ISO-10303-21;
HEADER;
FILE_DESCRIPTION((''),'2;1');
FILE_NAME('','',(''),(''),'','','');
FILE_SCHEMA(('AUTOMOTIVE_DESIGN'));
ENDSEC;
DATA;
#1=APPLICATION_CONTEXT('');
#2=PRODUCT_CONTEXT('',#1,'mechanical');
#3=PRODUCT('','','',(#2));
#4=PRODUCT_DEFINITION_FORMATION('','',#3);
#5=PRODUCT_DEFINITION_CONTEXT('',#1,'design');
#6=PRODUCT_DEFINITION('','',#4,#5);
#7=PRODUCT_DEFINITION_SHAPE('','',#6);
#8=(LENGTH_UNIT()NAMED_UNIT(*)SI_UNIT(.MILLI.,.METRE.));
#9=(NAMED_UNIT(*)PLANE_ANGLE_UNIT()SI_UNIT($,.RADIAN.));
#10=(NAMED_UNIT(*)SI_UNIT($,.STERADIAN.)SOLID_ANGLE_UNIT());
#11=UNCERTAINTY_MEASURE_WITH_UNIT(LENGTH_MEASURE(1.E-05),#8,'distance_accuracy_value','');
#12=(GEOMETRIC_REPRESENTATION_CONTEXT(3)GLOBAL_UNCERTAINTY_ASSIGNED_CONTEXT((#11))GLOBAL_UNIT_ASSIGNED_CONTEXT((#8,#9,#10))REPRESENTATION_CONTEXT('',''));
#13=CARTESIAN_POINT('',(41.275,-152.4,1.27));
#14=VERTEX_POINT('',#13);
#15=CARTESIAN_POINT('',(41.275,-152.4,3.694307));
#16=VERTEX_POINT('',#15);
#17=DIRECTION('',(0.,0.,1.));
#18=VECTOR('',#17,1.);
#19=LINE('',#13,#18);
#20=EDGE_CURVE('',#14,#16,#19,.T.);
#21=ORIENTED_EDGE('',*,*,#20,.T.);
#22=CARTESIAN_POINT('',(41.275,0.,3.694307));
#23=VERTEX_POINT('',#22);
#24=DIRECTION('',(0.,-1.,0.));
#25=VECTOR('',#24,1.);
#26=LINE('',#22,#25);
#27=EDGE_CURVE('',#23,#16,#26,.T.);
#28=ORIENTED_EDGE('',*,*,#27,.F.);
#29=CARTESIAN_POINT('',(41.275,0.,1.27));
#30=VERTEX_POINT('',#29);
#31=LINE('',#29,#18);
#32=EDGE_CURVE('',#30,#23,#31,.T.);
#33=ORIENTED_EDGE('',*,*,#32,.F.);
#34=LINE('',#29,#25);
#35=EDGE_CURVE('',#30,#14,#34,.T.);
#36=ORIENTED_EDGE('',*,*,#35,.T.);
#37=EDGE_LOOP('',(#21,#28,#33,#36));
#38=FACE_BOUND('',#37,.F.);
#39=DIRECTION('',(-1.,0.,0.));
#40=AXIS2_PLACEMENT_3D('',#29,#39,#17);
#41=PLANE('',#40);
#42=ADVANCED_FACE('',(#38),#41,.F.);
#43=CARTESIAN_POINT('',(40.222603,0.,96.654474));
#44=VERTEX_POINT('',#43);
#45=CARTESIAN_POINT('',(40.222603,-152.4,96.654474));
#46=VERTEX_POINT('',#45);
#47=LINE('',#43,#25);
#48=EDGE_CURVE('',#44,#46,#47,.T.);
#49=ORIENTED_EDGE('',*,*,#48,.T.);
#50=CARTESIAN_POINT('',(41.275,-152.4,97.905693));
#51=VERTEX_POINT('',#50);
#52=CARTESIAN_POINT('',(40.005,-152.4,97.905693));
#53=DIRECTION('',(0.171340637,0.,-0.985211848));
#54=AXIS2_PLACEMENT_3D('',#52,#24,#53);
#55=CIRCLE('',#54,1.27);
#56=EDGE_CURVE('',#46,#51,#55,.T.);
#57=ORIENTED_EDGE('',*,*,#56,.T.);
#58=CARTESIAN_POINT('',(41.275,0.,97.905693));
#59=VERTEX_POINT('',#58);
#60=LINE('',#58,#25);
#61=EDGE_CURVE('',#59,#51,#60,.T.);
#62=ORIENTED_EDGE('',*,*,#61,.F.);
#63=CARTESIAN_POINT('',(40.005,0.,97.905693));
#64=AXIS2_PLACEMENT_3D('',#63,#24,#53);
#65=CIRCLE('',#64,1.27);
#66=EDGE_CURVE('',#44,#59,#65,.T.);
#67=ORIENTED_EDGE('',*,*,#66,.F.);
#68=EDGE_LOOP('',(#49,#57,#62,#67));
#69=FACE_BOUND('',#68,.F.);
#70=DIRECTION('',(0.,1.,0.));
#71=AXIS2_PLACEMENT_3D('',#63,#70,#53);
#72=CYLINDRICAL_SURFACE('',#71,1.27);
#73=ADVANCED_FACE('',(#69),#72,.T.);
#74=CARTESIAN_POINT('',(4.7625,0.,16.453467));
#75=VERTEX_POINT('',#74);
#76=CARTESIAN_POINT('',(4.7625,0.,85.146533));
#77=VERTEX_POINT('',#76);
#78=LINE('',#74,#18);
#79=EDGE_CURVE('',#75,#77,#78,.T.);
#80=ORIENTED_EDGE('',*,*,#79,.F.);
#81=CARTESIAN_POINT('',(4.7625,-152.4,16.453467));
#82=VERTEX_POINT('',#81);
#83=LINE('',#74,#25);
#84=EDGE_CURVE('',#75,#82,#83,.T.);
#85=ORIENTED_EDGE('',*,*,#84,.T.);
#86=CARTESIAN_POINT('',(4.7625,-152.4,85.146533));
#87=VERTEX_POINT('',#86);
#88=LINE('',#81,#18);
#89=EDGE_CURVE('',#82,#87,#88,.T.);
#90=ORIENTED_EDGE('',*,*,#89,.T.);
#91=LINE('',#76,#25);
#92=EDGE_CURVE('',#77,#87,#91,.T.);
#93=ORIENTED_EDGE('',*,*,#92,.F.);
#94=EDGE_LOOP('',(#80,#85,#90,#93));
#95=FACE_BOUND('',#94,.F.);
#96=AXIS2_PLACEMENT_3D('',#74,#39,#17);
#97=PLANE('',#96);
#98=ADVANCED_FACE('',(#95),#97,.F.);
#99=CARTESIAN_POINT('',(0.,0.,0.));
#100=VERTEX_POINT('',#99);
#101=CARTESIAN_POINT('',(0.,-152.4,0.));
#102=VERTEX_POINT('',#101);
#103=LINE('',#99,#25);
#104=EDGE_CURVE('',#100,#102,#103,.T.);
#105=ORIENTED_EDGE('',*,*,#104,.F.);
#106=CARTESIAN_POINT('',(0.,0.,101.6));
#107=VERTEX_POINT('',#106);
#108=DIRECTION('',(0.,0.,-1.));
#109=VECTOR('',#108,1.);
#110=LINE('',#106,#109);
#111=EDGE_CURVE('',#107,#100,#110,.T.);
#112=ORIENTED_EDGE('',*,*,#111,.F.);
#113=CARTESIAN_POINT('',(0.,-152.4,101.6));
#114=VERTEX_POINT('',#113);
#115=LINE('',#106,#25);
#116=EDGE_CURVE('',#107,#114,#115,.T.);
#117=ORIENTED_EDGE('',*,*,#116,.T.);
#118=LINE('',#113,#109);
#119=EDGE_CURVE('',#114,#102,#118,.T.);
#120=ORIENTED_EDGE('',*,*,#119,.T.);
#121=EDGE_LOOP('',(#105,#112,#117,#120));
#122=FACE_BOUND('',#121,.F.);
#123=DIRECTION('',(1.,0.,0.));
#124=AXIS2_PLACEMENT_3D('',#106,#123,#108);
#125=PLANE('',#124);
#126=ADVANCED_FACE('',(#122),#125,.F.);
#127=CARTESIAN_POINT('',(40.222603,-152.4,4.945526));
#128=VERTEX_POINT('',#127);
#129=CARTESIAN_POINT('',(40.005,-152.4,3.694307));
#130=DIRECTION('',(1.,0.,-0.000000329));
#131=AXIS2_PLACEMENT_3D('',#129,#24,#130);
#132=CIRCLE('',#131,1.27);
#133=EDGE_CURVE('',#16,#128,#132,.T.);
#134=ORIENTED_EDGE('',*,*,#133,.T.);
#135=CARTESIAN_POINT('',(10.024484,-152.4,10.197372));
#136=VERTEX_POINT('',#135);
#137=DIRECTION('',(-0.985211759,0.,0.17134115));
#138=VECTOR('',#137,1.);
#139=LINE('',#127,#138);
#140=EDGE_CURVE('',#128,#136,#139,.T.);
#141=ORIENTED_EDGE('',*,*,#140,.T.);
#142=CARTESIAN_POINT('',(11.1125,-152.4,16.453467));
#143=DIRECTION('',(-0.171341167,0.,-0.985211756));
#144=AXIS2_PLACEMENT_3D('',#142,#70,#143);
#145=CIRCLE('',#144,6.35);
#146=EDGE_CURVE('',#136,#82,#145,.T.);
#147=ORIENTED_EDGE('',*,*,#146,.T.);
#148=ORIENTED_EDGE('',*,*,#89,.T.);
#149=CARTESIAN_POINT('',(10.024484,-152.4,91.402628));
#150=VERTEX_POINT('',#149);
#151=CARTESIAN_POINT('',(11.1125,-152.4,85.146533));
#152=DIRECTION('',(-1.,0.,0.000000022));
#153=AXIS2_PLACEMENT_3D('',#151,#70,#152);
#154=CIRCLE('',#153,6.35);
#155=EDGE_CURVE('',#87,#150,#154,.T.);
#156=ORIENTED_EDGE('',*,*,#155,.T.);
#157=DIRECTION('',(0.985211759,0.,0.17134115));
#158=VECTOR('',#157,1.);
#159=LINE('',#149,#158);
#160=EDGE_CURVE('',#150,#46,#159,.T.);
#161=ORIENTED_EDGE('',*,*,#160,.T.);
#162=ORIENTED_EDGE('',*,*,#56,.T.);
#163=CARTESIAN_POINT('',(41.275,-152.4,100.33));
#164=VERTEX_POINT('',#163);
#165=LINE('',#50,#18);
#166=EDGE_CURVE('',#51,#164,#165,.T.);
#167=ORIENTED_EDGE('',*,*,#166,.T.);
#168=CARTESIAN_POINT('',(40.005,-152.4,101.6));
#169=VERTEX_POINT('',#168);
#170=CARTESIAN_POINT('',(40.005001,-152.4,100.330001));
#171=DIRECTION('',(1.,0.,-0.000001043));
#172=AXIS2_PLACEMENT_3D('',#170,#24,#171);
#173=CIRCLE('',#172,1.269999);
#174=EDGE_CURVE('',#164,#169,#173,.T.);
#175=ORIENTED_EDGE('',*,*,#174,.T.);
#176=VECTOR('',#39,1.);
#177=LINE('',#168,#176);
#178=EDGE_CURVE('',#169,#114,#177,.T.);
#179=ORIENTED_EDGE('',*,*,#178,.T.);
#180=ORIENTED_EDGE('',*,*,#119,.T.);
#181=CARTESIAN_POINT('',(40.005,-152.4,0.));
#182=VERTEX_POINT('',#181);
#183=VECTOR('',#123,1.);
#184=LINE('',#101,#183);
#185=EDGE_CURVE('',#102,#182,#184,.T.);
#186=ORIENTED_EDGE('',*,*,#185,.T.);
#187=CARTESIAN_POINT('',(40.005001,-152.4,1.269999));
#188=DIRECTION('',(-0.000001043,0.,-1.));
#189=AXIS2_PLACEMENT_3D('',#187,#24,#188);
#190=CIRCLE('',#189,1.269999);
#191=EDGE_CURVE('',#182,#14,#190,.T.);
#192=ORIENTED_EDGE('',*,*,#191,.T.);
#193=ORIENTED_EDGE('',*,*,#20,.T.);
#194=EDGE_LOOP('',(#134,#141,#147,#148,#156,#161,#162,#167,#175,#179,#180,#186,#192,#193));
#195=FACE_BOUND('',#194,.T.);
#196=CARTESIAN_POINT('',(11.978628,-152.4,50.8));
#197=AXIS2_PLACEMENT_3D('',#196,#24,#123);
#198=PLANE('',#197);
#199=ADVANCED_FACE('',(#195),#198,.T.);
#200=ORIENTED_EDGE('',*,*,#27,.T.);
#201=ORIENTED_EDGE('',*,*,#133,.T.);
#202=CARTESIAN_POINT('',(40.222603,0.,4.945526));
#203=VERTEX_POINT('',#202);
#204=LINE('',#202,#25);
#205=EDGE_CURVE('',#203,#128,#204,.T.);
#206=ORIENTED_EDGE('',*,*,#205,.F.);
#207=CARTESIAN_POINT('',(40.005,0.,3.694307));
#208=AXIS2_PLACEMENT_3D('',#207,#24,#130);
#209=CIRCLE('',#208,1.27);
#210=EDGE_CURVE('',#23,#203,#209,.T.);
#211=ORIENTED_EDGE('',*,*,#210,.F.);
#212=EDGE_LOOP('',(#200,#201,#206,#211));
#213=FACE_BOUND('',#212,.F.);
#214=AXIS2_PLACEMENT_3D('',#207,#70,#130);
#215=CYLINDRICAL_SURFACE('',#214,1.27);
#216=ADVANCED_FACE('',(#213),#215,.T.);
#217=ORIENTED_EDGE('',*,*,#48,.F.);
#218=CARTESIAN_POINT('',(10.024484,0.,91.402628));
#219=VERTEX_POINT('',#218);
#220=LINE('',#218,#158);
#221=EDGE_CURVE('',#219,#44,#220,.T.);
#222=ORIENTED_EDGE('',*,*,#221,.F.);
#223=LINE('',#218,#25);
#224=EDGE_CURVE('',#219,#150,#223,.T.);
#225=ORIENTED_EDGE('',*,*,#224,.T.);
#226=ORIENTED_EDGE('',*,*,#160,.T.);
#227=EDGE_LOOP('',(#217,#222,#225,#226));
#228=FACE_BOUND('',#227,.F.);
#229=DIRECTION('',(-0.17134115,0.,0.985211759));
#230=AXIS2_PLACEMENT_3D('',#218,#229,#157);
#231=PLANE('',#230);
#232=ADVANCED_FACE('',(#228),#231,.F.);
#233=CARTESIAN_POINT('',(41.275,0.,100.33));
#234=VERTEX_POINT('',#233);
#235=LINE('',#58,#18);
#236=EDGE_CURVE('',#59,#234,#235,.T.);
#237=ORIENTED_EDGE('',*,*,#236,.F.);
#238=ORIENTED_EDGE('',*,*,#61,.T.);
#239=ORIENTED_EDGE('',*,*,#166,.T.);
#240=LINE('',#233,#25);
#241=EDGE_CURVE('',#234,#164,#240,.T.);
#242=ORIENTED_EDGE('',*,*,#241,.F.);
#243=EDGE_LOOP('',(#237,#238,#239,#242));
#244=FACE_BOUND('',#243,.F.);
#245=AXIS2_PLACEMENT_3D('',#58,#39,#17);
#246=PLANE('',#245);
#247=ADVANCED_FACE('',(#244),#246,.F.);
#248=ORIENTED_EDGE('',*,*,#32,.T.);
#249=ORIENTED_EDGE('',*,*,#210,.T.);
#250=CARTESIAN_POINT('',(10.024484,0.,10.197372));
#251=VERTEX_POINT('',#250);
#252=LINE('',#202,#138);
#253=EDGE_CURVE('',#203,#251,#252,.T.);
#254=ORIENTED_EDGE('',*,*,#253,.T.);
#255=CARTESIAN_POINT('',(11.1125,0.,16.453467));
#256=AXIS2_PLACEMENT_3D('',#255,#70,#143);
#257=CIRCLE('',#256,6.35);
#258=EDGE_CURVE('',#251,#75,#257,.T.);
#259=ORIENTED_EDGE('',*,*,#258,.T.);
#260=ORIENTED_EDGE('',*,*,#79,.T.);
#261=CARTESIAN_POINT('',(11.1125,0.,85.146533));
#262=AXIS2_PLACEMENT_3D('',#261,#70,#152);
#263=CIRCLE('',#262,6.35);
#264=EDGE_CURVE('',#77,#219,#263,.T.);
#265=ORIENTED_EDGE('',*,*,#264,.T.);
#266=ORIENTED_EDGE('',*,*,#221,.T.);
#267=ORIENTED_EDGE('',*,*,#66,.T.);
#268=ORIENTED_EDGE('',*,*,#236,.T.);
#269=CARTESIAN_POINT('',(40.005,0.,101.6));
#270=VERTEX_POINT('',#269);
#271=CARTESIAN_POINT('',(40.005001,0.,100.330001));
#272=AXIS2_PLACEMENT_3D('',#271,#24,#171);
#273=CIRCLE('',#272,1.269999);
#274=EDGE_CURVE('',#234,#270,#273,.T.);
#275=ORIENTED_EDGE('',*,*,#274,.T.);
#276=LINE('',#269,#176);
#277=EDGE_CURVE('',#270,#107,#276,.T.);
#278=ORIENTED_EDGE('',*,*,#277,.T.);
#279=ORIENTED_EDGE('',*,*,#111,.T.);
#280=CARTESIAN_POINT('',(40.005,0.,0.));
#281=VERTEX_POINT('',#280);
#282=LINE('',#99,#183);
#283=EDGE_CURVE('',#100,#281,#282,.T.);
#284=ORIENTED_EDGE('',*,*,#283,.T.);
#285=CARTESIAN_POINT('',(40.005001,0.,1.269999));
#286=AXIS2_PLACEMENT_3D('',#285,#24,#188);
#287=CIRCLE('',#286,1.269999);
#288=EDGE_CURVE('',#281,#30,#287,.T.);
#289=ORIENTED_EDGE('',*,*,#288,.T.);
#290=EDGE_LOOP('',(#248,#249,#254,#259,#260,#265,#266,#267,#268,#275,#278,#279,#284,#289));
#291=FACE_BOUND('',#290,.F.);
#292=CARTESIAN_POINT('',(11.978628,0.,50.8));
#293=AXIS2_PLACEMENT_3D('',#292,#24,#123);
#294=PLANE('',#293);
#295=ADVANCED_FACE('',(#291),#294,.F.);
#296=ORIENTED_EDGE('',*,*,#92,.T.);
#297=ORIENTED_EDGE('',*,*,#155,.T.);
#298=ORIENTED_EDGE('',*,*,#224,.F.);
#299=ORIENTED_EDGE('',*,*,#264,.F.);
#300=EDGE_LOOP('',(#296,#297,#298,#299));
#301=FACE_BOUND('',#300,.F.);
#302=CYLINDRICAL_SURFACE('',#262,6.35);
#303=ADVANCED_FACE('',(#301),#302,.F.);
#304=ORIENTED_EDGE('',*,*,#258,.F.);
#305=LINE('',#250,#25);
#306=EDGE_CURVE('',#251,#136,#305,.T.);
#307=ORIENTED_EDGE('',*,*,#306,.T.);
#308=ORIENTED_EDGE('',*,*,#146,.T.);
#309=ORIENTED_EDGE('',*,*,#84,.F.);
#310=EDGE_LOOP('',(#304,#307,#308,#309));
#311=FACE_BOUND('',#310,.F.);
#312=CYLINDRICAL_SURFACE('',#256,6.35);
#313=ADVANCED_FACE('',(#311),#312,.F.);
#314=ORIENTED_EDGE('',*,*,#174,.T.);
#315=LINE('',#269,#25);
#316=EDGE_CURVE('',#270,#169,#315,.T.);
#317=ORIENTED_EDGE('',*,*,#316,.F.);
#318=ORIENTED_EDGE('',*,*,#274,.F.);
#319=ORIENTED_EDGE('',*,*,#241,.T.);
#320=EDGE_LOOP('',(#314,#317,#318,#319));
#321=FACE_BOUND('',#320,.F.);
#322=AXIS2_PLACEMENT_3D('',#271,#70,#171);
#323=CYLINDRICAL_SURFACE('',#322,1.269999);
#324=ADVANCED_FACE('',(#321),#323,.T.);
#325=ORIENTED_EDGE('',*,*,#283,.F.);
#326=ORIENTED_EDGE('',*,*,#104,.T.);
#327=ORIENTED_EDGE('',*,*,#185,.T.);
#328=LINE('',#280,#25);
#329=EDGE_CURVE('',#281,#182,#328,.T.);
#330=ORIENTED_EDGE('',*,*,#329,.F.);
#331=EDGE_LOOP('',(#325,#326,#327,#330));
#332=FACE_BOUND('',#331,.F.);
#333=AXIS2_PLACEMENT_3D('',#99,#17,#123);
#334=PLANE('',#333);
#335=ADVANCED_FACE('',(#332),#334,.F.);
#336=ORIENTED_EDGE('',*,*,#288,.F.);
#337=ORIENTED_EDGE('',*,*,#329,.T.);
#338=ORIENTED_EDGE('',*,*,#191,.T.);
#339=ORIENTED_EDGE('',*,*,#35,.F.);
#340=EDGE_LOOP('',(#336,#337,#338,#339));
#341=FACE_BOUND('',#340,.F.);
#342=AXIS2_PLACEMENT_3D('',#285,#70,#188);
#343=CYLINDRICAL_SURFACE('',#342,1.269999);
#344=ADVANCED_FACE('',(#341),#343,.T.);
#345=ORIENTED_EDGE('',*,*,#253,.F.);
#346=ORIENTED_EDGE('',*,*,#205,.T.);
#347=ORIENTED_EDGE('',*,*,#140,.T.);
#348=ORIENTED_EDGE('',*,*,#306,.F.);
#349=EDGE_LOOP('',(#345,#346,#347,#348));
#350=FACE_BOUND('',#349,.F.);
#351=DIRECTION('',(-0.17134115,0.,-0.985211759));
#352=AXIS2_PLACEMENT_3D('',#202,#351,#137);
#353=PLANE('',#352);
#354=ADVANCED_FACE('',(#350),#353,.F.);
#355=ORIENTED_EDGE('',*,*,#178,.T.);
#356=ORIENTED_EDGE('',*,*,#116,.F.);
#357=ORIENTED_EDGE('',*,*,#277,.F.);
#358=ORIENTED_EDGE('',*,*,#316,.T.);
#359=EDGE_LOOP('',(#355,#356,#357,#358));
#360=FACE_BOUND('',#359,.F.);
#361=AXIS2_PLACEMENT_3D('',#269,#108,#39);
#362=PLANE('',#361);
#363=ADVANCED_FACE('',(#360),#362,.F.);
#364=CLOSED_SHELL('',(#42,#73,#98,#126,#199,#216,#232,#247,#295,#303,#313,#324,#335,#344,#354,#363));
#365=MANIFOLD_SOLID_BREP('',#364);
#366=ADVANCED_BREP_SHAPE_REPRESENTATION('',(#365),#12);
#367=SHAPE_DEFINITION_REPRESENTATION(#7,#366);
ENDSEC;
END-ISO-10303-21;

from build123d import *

# Parameters (mm, degrees)
F1_DEPTH = 152.4


with BuildPart() as f1:
    # F0 (on Front) → F1 (new body)
    with BuildSketch(Plane.XZ):
        with BuildLine():
            Line((0, 101.6), (0, 0))
            Line((0, 0), (40.005, 0))
            ThreePointArc((40.005, 0), (40.903026, 0.371974), (41.275, 1.27))
            Line((41.275, 1.27), (41.275, 3.694307))
            ThreePointArc((41.275, 3.694307), (40.97692, 4.511786), (40.222603, 4.945526))
            Line((40.222603, 4.945526), (10.024484, 10.197372))
            ThreePointArc((10.024484, 10.197372), (6.252901, 12.366072), (4.7625, 16.453467))
            Line((4.7625, 16.453467), (4.7625, 85.146533))
            ThreePointArc((4.7625, 85.146533), (6.252901, 89.233928), (10.024484, 91.402628))
            Line((10.024484, 91.402628), (40.222603, 96.654474))
            ThreePointArc((40.222603, 96.654474), (40.97692, 97.088214), (41.275, 97.905693))
            Line((41.275, 97.905693), (41.275, 100.33))
            ThreePointArc((41.275, 100.33), (40.903026, 101.228026), (40.005, 101.6))
            Line((40.005, 101.6), (0, 101.6))
        make_face()
    extrude(amount=F1_DEPTH)


solid = f1.part
